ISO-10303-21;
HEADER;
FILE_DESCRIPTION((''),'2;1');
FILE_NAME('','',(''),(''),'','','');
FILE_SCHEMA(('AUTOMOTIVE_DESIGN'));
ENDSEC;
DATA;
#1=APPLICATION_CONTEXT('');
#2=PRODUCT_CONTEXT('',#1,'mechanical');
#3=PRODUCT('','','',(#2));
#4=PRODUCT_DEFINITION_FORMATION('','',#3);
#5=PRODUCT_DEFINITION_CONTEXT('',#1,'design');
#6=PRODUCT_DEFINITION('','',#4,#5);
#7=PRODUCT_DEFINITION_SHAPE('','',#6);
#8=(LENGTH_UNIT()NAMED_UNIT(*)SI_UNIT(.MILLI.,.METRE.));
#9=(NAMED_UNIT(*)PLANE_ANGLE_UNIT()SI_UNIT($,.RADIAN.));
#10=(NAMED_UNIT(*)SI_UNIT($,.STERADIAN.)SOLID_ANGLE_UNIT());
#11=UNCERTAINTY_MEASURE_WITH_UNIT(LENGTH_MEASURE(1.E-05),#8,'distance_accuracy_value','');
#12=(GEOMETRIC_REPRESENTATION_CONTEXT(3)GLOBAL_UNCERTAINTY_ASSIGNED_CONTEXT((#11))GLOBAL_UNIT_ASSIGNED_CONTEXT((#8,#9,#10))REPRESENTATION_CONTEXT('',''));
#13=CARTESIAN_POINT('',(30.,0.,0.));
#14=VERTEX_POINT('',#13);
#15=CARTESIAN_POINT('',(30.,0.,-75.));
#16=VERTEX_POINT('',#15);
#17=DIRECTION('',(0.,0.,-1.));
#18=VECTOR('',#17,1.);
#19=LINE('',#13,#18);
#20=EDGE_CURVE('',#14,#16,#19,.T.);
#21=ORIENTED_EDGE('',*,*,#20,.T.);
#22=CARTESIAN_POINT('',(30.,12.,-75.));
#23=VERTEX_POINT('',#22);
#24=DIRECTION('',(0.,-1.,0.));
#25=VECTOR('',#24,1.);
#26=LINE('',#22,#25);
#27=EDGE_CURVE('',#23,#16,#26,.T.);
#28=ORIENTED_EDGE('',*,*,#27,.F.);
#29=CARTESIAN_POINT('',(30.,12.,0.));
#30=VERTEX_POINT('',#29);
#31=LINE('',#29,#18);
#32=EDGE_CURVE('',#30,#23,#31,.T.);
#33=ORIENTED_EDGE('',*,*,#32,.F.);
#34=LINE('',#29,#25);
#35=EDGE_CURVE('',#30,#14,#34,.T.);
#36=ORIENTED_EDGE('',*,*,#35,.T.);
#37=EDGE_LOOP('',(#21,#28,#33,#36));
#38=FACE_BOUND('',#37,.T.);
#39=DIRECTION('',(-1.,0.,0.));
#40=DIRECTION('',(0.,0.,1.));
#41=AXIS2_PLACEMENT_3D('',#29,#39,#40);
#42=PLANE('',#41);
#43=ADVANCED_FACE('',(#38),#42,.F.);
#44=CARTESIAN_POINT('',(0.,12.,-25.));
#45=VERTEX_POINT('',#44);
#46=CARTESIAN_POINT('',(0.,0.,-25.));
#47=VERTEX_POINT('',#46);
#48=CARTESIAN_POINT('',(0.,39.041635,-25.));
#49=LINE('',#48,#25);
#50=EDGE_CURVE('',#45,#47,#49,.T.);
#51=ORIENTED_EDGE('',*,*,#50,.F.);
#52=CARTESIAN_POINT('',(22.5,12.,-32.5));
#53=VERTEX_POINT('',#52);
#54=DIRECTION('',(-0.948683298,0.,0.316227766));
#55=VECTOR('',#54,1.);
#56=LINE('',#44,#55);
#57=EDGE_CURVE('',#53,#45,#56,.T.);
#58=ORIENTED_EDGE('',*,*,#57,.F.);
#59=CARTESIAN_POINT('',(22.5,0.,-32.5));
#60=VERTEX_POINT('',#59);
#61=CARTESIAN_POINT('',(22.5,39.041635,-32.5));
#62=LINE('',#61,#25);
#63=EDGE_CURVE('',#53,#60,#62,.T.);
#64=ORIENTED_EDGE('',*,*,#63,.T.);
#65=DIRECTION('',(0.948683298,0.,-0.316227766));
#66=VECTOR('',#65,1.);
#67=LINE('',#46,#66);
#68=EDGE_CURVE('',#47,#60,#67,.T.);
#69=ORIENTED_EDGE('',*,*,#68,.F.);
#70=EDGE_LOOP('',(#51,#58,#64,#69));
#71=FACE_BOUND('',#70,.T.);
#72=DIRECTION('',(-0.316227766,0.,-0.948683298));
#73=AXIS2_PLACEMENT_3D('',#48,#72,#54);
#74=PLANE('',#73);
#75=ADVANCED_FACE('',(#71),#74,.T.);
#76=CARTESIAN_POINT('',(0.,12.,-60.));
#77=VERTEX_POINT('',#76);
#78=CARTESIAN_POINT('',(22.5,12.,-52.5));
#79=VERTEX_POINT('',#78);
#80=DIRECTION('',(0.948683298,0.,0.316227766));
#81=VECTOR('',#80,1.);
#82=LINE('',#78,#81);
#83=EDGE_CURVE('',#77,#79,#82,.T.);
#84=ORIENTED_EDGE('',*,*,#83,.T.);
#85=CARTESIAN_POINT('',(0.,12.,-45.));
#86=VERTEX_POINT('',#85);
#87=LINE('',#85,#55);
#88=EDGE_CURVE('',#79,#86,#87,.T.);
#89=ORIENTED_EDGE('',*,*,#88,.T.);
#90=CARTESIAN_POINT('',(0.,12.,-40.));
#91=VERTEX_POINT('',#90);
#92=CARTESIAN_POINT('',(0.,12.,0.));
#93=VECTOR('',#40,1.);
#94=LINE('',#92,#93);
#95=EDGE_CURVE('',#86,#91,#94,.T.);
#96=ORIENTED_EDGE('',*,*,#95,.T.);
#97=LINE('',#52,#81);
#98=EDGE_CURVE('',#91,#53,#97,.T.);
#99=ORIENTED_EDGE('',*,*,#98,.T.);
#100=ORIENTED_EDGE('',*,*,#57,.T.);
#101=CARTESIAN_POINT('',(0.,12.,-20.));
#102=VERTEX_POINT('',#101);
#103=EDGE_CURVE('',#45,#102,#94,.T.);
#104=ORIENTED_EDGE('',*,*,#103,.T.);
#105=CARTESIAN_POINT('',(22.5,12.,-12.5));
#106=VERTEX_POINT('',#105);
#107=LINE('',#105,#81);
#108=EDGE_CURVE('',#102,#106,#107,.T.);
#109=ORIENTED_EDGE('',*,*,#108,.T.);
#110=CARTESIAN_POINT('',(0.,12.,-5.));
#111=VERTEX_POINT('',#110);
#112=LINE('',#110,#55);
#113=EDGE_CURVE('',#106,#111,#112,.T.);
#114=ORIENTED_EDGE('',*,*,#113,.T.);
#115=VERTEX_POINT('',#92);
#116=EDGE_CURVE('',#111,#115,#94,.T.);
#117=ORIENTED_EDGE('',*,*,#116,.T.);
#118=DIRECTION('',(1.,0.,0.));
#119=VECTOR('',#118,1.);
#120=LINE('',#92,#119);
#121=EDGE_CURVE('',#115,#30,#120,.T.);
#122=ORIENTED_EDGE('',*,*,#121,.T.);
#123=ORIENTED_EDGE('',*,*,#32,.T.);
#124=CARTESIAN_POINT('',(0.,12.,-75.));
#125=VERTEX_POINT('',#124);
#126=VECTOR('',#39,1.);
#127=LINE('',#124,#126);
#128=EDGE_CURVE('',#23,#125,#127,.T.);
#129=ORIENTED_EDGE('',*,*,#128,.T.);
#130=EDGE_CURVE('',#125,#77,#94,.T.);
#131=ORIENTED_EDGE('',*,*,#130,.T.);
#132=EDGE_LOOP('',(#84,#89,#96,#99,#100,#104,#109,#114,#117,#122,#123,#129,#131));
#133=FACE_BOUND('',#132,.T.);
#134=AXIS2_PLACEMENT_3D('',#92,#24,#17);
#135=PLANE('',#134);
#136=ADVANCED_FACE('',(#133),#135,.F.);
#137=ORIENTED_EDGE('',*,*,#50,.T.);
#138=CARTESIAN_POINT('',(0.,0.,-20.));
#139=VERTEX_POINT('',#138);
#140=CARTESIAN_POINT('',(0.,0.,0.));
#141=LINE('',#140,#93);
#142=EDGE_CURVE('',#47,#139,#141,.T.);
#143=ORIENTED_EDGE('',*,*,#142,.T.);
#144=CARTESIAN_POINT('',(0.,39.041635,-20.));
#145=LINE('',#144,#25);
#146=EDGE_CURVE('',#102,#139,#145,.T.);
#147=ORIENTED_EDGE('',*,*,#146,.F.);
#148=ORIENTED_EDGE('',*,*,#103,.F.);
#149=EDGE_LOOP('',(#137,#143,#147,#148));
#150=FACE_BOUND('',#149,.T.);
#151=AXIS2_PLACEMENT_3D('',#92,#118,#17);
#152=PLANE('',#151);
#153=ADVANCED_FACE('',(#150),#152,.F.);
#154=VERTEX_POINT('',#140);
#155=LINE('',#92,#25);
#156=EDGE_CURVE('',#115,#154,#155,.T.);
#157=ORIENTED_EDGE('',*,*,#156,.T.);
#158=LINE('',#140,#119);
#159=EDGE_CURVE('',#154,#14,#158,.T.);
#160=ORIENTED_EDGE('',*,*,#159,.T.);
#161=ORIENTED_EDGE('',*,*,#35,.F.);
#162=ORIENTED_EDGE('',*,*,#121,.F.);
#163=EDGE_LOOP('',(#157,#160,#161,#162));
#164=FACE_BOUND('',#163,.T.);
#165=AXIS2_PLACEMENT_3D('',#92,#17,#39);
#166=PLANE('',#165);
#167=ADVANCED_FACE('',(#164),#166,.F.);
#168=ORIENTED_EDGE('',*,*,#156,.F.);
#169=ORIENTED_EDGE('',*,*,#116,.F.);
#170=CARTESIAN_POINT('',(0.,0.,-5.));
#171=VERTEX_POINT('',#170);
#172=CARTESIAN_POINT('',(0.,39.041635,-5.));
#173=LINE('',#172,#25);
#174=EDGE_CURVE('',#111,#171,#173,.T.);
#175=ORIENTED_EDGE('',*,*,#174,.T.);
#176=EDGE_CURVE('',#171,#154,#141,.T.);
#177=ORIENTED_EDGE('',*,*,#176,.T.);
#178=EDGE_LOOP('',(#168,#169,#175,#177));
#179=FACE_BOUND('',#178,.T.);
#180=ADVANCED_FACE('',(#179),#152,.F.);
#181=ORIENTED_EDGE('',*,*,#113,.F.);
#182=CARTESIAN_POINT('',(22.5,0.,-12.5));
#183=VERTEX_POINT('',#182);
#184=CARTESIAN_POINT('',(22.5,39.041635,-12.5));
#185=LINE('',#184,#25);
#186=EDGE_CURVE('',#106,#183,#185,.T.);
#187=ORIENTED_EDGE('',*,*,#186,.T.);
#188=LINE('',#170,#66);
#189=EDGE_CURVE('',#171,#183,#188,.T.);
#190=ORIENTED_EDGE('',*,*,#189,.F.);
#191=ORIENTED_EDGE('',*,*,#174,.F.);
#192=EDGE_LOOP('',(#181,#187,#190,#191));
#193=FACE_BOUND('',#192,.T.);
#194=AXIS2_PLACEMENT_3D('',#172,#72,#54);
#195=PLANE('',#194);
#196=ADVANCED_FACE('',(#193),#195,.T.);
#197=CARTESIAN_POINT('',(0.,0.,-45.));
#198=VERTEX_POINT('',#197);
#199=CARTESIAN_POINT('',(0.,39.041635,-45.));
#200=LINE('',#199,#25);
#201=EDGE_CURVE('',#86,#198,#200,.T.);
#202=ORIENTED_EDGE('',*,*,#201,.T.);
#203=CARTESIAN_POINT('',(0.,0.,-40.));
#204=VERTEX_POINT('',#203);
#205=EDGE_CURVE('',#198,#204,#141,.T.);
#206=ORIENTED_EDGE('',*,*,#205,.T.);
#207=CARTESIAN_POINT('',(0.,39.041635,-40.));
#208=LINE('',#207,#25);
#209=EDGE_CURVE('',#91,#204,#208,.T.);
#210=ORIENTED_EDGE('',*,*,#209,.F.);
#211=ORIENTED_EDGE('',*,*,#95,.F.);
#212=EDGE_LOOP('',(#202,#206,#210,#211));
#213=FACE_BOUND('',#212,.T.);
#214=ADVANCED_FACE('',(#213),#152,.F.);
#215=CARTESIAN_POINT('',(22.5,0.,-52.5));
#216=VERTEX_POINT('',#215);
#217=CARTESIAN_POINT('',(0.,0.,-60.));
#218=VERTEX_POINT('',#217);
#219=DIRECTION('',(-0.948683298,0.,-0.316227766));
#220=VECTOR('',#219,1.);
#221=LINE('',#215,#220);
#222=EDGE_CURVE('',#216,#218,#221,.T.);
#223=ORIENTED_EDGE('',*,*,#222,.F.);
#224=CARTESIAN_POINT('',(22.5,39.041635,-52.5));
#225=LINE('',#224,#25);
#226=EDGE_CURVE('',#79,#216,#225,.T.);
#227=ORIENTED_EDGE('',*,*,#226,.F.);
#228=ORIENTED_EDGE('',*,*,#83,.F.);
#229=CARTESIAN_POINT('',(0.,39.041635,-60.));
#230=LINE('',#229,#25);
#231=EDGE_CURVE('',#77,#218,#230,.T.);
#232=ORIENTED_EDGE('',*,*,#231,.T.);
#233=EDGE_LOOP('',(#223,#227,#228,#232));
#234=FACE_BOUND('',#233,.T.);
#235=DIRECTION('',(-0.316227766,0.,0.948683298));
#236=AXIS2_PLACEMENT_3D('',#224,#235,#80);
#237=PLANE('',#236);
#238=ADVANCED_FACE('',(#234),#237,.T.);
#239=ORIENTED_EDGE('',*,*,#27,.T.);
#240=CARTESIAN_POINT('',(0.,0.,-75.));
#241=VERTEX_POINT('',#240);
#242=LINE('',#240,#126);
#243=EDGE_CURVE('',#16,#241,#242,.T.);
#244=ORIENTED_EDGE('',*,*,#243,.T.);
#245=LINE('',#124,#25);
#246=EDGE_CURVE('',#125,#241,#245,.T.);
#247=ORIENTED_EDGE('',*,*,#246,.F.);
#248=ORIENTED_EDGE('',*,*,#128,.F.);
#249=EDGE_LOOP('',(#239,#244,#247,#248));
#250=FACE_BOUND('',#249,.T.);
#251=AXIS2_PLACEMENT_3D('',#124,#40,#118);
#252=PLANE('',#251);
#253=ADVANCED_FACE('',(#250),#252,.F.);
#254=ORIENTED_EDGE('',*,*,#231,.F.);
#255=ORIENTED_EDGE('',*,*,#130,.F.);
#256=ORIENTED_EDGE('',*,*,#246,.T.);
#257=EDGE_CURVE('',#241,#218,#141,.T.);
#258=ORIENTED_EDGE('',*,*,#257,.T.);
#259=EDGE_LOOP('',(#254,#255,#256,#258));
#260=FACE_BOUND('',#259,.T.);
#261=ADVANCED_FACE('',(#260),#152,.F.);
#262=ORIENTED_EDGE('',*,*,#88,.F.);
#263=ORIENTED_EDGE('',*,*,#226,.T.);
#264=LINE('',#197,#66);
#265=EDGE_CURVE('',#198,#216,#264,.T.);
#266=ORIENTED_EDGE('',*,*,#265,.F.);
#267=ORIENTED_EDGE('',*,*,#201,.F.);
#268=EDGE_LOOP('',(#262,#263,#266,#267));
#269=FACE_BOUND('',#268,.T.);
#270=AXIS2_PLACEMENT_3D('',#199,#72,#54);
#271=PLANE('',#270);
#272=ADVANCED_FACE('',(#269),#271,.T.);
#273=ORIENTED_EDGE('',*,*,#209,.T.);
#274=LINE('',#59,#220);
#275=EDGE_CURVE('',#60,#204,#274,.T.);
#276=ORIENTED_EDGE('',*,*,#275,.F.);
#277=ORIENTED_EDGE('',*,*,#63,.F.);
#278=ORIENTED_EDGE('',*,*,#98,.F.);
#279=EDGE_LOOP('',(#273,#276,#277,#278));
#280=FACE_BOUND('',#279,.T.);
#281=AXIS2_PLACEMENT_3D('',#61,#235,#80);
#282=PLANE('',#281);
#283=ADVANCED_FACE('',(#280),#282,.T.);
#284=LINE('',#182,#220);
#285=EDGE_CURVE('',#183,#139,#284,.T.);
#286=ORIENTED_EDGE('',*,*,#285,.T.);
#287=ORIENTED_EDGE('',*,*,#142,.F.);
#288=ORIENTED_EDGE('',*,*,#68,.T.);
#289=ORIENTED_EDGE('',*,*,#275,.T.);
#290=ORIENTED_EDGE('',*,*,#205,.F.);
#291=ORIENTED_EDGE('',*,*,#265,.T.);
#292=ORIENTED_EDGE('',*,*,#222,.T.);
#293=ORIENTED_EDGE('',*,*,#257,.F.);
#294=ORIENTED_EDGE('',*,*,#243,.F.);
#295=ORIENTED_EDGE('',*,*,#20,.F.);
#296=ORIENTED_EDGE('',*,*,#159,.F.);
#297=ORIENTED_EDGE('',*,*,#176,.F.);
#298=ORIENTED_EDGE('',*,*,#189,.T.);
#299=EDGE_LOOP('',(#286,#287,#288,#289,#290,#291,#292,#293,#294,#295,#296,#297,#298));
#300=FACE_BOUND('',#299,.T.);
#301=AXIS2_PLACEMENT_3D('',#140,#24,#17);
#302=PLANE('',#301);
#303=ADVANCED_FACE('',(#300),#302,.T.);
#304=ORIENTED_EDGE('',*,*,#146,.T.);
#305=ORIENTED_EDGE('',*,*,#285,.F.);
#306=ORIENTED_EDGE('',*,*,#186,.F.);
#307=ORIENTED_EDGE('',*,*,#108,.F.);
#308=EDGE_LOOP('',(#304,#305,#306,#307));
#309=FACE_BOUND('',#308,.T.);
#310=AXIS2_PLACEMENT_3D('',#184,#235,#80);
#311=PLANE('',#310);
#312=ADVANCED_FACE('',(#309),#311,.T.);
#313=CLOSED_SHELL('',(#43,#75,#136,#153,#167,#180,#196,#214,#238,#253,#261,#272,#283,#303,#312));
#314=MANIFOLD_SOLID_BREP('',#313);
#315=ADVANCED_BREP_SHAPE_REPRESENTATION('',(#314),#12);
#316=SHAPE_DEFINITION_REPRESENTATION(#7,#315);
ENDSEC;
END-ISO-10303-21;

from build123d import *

# Parameters (mm, degrees)
SKETCH1_W           = 30
SKETCH1_H           = 75
BOSS_EXTRUDE1_DEPTH = 12
CUT_EXTRUDE1_DEPTH  = 12
LPATTERN1_COUNT     = 3
LPATTERN1_PITCH     = 20


with BuildPart() as part:
    # Sketch1 → Boss-Extrude1 (new body)
    with BuildSketch(Plane(origin=(0, 0, 0), x_dir=(1, 0, 0), z_dir=(0, 1, 0))):
        with Locations((15, 37.5)):
            Rectangle(SKETCH1_W, SKETCH1_H)
    extrude(amount=BOSS_EXTRUDE1_DEPTH)

    # Sketch3 → Cut-Extrude1 (cut)
    with BuildSketch(Plane(origin=(0, 0, 0), x_dir=(1, 0, 0), z_dir=(0, 1, 0))):
        Polygon((0, 5), (22.5, 12.5), (0, 20), align=None)
    cut_extrude1 = extrude(amount=CUT_EXTRUDE1_DEPTH, mode=Mode.SUBTRACT)

    # LPattern1: Cut-Extrude1 ×3
    with Locations(*[(0, 0, -i * LPATTERN1_PITCH) for i in range(1, LPATTERN1_COUNT)]):
        add(cut_extrude1, mode=Mode.SUBTRACT)


solid = part.part
